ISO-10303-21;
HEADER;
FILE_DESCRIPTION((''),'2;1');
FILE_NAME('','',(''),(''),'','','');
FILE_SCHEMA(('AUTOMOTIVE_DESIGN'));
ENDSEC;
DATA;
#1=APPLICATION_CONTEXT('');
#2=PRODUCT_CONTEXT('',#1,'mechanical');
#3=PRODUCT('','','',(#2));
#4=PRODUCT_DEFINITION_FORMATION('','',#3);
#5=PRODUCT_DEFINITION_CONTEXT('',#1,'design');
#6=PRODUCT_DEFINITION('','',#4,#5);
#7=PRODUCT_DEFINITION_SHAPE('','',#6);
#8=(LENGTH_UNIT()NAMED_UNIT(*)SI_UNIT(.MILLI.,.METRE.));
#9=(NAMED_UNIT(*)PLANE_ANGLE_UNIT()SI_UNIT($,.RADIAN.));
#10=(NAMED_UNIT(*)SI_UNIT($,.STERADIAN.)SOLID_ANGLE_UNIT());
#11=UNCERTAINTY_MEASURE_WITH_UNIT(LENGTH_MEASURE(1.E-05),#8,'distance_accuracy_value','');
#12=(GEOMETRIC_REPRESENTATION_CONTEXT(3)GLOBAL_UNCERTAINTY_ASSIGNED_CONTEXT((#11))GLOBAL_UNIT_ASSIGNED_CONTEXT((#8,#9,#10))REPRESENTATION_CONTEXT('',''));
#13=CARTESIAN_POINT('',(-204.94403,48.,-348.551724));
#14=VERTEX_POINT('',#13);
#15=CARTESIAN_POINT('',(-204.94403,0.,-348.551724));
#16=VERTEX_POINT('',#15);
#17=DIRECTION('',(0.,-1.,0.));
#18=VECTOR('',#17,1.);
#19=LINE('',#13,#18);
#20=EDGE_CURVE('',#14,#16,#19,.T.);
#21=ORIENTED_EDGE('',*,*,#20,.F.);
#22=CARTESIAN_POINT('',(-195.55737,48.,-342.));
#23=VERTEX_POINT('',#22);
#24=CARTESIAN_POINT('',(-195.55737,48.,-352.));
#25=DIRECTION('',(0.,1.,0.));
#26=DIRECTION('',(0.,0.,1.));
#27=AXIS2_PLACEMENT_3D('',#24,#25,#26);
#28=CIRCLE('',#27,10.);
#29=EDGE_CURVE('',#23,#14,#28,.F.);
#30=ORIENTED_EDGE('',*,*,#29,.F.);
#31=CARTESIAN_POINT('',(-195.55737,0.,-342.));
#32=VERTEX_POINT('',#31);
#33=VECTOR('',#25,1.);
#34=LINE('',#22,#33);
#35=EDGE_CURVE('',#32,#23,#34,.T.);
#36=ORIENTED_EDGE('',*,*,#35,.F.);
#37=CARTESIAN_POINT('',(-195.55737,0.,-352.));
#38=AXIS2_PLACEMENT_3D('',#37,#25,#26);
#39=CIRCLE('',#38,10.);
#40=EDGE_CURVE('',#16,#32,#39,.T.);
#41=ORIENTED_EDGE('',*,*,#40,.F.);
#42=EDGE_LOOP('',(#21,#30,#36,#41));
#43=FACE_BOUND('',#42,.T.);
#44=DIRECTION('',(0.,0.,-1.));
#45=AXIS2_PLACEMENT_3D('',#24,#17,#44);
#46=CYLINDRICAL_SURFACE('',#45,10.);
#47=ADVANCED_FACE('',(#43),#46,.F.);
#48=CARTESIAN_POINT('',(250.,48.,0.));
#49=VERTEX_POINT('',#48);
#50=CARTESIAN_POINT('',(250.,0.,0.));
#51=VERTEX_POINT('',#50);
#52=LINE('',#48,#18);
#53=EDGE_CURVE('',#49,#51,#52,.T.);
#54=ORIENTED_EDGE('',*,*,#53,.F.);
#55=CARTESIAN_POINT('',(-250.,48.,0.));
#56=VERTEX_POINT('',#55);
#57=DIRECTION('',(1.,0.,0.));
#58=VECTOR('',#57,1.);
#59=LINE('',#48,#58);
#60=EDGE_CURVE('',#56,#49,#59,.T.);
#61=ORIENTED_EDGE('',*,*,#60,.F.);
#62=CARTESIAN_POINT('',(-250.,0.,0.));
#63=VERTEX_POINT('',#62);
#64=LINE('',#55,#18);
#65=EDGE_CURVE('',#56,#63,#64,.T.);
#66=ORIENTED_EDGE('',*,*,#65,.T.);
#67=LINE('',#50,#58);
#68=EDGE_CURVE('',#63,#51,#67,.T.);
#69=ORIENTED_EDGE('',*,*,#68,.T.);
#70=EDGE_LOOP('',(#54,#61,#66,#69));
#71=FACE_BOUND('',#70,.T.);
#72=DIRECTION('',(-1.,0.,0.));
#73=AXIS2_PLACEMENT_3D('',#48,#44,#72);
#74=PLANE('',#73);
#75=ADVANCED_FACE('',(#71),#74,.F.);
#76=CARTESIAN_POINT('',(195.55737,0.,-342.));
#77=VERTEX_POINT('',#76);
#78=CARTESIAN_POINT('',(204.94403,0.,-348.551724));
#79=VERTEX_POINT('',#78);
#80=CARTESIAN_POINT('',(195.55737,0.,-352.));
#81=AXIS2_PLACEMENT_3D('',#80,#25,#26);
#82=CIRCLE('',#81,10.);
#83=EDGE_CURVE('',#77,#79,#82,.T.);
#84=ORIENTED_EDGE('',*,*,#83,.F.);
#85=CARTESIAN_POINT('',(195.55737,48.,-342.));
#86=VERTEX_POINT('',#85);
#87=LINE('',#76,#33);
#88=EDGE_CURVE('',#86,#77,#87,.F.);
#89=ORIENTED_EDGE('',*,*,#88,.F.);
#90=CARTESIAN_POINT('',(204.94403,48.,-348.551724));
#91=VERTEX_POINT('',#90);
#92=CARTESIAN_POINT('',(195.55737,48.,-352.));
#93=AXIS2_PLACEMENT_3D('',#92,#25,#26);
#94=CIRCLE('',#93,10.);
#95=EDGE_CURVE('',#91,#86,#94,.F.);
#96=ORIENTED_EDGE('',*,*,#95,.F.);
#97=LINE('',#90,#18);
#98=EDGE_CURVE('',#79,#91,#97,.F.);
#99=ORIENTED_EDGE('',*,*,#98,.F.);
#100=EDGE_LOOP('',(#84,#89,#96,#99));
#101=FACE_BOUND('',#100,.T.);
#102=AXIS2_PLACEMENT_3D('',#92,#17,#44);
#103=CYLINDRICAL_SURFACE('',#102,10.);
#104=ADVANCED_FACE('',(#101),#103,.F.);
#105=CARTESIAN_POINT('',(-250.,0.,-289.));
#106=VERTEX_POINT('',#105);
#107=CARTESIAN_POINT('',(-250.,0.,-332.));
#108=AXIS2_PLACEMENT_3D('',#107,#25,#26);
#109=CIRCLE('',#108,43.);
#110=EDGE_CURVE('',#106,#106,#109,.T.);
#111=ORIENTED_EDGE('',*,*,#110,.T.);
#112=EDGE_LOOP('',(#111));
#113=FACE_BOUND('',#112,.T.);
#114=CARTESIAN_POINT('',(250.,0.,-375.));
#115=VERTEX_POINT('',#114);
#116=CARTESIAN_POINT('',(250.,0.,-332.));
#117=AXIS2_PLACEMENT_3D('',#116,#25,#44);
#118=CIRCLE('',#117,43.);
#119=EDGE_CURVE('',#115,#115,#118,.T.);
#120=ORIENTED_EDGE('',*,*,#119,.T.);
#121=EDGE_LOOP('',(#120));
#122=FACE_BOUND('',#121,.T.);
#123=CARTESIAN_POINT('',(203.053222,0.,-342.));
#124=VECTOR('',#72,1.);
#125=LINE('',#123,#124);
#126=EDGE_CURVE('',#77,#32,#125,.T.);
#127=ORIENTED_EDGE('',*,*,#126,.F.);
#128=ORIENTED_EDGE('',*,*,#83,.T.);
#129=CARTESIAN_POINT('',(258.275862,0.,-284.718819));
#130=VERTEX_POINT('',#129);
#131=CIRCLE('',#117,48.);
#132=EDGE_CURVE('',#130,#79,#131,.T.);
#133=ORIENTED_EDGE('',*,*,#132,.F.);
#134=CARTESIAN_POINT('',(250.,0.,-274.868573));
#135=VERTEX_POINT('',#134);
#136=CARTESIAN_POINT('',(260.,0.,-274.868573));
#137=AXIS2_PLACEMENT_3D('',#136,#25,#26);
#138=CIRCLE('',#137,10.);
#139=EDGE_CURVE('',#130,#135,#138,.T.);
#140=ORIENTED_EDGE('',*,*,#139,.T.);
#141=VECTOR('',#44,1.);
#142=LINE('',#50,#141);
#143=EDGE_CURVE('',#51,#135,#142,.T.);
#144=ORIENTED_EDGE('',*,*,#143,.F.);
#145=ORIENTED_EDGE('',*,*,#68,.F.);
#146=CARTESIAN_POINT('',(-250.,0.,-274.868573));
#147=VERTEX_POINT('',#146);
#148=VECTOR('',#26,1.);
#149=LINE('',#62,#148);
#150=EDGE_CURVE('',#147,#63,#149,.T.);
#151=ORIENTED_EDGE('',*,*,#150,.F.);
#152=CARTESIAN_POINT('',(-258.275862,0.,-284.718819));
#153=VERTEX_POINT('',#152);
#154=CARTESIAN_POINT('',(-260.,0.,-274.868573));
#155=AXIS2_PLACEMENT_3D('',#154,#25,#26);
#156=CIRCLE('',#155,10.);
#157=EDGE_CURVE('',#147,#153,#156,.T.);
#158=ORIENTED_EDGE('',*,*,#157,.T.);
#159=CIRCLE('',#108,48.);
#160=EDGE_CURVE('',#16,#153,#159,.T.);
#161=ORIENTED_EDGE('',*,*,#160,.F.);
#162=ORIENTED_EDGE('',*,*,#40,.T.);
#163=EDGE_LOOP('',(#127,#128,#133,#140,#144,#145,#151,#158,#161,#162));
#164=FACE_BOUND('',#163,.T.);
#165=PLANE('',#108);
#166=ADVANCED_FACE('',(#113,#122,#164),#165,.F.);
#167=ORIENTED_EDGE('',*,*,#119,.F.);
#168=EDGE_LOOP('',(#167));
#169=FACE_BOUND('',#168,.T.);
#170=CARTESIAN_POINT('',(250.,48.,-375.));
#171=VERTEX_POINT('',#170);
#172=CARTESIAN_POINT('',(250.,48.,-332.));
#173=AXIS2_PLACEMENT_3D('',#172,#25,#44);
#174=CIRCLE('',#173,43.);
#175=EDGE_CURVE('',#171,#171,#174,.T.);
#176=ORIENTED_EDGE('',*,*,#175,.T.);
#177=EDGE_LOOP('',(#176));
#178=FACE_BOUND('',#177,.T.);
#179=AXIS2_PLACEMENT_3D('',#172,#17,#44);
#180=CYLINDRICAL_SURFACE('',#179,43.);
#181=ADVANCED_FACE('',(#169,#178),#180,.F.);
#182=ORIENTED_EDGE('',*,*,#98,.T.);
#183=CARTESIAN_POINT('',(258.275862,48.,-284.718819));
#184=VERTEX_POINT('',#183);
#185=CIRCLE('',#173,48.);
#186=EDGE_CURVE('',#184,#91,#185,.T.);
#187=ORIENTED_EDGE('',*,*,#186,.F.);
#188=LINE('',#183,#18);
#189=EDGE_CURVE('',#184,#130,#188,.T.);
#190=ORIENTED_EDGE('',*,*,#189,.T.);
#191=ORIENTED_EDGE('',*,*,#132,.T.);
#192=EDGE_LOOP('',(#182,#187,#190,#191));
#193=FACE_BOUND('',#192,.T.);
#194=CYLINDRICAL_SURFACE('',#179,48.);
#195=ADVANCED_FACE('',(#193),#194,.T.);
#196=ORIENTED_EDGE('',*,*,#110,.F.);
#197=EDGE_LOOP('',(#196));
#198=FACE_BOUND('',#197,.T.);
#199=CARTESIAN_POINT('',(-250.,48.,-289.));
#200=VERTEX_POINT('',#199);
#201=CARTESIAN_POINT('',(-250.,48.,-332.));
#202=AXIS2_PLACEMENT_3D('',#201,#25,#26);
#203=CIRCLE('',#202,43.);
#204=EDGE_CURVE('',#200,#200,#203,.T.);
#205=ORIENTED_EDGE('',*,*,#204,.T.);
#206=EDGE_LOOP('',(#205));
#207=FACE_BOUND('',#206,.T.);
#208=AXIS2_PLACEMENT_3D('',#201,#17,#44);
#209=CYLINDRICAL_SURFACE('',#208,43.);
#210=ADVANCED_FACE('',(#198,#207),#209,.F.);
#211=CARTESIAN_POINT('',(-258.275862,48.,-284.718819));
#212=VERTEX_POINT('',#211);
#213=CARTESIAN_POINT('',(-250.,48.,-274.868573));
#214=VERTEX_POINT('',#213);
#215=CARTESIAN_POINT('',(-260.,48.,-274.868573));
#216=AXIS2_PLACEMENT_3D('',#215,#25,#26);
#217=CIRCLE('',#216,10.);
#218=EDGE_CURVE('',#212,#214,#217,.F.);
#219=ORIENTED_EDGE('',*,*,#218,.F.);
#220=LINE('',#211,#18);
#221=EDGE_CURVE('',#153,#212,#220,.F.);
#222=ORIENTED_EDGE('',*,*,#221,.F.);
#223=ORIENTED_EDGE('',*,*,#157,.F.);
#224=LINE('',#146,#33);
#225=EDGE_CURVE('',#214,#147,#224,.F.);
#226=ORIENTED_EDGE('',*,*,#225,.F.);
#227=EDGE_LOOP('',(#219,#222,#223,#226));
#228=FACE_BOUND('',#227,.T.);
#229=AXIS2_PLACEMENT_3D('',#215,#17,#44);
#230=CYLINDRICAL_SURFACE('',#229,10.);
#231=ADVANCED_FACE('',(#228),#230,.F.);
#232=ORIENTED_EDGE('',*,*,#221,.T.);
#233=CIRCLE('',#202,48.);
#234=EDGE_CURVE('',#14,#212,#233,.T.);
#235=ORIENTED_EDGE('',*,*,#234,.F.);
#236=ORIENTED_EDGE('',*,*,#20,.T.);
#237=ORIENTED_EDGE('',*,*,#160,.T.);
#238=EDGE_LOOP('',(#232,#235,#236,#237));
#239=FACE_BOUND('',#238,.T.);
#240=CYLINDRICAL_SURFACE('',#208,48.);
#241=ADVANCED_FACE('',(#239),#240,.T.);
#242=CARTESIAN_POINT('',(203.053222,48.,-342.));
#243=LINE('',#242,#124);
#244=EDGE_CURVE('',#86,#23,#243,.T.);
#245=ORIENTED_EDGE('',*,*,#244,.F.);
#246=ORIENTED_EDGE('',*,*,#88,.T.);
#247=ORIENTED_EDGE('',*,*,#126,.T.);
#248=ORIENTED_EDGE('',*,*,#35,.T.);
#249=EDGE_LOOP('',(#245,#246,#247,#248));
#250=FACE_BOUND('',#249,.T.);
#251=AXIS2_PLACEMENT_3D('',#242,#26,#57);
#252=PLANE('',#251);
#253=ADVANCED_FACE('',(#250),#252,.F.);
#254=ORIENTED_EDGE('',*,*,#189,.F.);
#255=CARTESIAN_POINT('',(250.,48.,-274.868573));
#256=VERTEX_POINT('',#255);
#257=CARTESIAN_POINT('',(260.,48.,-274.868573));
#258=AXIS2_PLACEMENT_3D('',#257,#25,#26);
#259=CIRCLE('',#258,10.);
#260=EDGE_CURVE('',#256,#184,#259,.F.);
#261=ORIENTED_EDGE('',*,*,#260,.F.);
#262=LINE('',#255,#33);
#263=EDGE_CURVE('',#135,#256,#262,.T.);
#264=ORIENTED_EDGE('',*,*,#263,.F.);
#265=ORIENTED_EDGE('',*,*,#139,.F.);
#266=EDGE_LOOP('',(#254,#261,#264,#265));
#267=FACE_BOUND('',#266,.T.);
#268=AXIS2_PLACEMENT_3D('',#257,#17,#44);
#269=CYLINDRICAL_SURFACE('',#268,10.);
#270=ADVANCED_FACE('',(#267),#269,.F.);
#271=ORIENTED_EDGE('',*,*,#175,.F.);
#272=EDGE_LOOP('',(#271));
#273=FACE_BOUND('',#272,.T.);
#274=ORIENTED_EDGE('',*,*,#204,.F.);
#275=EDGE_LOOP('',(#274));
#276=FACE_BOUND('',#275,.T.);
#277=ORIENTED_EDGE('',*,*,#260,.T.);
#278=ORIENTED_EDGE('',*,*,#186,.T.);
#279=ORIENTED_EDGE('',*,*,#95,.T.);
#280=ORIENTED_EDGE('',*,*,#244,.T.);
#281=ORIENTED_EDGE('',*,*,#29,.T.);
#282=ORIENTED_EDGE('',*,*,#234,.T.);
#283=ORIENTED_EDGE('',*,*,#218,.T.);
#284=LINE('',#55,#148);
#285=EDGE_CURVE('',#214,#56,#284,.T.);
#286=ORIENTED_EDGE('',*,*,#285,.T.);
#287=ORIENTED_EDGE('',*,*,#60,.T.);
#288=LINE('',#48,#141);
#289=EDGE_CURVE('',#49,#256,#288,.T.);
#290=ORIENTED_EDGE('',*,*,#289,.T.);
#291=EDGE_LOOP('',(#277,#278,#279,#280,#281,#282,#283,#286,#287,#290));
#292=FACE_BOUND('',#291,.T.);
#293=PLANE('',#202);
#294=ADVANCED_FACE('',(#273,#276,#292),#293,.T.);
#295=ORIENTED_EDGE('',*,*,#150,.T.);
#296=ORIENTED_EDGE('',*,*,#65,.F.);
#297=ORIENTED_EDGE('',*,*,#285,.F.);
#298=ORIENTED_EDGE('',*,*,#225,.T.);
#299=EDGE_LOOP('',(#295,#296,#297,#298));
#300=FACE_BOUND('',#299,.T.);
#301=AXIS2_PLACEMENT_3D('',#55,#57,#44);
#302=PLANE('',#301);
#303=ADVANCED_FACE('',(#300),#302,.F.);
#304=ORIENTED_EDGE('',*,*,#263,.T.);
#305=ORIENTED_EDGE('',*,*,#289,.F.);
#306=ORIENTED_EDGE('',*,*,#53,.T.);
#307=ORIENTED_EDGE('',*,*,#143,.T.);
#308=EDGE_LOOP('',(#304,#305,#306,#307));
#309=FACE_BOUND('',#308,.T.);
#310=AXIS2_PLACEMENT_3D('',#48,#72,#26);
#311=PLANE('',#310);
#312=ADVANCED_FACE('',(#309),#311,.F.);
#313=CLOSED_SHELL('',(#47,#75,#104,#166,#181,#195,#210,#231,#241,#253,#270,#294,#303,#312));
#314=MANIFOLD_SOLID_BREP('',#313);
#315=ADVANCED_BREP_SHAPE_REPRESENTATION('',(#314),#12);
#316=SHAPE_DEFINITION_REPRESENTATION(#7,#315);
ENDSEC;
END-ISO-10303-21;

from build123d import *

# Parameters (mm, degrees)
SKETCH1_R           = 43
BOSS_EXTRUDE1_DEPTH = 48
FILLET1_R           = 10


with BuildPart() as part:
    # Sketch1 → Boss-Extrude1 (new body)
    with BuildSketch(Plane(origin=(0, 0, 0), x_dir=(1, 0, 0), z_dir=(0, 1, 0))):
        with BuildLine():
            Line((250, 0), (-250, 0))
            Line((-250, 0), (-250, 284))
            ThreePointArc((-250, 284), (-287.309516212, 362.199337741), (-203.053221623, 342))
            Line((-203.053221623, 342), (203.053221623, 342))
            ThreePointArc((203.053221623, 342), (287.309516212, 362.199337741), (250, 284))
            Line((250, 284), (250, 0))
        make_face()
        with Locations((-250, 332)):
            Circle(SKETCH1_R, mode=Mode.SUBTRACT)
        with Locations((250, 332)):
            Circle(SKETCH1_R, mode=Mode.SUBTRACT)
    extrude(amount=BOSS_EXTRUDE1_DEPTH)

    # Fillet1
    fillet1_edges = [part.edges().sort_by_distance(p)[0] for p in [
        (-250, 24, -284),
        (-203.053221623, 24, -342),
        (203.053221623, 24, -342),
        (250, 24, -284),
    ]]
    fillet(fillet1_edges, radius=FILLET1_R)


solid = part.part
